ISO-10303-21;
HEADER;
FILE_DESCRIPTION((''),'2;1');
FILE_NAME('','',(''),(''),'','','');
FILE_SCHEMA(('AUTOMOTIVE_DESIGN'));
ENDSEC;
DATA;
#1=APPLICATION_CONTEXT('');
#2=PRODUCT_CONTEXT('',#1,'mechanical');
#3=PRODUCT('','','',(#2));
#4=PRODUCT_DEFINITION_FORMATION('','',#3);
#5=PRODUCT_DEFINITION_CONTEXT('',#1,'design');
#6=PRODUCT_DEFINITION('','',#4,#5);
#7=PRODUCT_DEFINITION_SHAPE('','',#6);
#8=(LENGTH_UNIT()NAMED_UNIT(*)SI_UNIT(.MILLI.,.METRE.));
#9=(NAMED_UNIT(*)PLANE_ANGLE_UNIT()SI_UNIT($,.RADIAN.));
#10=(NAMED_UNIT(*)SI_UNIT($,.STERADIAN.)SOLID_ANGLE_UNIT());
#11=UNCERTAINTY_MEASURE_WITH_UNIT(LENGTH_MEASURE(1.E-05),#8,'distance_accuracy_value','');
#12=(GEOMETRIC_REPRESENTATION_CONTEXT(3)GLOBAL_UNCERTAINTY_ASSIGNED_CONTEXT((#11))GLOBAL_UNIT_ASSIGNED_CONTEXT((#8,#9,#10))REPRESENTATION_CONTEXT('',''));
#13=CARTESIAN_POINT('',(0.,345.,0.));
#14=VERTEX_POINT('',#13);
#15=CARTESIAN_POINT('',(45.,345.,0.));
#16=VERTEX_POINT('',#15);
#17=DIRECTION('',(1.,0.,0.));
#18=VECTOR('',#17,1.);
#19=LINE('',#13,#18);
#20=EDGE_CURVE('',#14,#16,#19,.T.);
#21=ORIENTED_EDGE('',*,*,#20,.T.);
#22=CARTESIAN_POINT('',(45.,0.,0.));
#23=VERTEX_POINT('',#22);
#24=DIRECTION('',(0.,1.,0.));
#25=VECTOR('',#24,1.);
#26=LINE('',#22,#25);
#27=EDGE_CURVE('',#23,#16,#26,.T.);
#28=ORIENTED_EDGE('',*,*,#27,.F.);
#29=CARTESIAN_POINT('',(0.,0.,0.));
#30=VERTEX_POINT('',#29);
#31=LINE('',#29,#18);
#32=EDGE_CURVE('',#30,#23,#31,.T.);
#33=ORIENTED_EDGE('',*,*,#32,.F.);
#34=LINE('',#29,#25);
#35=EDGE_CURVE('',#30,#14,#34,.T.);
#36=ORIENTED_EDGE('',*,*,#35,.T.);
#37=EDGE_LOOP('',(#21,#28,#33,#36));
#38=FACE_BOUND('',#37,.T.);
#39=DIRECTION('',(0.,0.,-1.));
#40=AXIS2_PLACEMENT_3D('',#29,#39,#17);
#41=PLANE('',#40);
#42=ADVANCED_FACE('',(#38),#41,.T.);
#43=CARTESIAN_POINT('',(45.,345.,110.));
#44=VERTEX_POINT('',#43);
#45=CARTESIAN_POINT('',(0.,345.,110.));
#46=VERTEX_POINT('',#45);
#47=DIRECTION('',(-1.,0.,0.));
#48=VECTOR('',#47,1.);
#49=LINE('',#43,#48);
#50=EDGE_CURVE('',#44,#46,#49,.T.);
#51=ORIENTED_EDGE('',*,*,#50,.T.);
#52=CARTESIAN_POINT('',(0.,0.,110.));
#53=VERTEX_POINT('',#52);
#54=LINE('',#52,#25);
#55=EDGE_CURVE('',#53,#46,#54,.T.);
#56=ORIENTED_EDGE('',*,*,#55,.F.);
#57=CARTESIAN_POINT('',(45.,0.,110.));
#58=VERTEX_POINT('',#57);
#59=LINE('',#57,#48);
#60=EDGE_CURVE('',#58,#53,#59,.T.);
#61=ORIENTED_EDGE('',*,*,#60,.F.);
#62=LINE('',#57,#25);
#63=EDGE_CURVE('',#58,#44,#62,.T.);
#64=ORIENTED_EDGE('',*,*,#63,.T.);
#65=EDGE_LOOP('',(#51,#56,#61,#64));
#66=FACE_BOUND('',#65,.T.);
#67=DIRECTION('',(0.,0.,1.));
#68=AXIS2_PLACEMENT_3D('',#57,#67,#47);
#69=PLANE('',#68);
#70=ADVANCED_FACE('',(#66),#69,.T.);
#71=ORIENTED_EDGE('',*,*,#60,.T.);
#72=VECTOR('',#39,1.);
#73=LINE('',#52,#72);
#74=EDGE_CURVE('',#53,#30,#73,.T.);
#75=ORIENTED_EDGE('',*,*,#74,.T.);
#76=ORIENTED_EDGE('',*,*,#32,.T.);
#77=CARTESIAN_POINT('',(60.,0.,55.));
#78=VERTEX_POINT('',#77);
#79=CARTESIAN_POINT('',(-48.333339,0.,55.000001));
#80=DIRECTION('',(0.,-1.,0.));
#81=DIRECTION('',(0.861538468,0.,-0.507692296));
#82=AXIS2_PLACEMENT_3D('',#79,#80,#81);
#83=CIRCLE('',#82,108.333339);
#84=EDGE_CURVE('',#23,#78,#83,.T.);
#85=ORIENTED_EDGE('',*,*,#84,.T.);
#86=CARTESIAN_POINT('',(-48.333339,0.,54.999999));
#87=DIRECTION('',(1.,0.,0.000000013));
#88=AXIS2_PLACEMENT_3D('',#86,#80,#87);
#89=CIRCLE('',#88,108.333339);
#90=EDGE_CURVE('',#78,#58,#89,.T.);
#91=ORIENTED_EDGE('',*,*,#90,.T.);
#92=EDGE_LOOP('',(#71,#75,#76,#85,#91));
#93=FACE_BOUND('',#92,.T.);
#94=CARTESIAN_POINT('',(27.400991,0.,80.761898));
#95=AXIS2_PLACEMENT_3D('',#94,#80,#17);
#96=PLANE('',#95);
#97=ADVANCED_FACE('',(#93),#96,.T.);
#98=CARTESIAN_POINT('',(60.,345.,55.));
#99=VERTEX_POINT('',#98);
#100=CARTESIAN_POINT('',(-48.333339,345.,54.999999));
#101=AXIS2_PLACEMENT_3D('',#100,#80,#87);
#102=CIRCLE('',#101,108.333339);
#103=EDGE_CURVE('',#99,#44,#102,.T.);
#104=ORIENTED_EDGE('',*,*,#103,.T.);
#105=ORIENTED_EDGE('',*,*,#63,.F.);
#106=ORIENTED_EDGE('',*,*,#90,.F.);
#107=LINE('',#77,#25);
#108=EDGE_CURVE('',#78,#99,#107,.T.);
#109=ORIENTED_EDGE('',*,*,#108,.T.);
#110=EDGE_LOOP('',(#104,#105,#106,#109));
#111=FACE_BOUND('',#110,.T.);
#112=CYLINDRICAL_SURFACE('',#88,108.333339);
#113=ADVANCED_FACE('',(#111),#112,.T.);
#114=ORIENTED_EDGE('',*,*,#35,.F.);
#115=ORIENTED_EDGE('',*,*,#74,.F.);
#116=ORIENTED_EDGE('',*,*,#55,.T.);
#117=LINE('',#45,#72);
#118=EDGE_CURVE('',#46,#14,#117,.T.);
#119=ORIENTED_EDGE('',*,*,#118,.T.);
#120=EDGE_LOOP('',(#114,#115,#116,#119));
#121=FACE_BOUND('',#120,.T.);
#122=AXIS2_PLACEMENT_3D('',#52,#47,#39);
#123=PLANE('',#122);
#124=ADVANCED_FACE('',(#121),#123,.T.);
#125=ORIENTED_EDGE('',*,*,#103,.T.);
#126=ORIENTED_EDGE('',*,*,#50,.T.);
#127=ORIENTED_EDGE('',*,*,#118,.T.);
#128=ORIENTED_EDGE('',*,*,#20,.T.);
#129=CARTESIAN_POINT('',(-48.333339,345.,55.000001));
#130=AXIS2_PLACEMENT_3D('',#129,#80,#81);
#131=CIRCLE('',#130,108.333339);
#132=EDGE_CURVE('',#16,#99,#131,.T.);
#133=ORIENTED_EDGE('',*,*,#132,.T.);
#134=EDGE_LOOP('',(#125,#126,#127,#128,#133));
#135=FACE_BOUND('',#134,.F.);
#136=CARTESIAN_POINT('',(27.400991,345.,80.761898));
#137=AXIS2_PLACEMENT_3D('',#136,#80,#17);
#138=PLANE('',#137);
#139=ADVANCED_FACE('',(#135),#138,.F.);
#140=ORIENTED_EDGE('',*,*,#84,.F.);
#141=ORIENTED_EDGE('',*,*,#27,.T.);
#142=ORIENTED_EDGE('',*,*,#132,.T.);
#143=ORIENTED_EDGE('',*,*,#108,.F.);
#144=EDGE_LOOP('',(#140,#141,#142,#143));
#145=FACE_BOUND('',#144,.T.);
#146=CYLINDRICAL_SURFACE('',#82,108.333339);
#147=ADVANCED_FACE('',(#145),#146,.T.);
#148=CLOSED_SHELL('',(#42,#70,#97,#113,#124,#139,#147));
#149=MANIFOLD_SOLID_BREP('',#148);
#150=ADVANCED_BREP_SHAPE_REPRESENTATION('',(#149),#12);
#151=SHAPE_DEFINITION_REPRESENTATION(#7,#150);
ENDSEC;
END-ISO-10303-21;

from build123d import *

# Parameters (mm, degrees)
F1_DEPTH = 345


with BuildPart() as f1:
    # F0 (on Front) → F1 (new body)
    with BuildSketch(Plane.XZ):
        with BuildLine():
            Line((0, 110), (0, 55))
            Line((0, 55), (60, 55))
            ThreePointArc((60, 55), (56.182747, 83.504386), (45, 110))
            Line((45, 110), (0, 110))
        make_face()
        with BuildLine():
            Line((0, 55), (0, 0))
            Line((0, 0), (45, 0))
            ThreePointArc((45, 0), (56.182747, 26.495614), (60, 55))
            Line((60, 55), (0, 55))
        make_face()
    extrude(amount=-F1_DEPTH)


solid = f1.part
